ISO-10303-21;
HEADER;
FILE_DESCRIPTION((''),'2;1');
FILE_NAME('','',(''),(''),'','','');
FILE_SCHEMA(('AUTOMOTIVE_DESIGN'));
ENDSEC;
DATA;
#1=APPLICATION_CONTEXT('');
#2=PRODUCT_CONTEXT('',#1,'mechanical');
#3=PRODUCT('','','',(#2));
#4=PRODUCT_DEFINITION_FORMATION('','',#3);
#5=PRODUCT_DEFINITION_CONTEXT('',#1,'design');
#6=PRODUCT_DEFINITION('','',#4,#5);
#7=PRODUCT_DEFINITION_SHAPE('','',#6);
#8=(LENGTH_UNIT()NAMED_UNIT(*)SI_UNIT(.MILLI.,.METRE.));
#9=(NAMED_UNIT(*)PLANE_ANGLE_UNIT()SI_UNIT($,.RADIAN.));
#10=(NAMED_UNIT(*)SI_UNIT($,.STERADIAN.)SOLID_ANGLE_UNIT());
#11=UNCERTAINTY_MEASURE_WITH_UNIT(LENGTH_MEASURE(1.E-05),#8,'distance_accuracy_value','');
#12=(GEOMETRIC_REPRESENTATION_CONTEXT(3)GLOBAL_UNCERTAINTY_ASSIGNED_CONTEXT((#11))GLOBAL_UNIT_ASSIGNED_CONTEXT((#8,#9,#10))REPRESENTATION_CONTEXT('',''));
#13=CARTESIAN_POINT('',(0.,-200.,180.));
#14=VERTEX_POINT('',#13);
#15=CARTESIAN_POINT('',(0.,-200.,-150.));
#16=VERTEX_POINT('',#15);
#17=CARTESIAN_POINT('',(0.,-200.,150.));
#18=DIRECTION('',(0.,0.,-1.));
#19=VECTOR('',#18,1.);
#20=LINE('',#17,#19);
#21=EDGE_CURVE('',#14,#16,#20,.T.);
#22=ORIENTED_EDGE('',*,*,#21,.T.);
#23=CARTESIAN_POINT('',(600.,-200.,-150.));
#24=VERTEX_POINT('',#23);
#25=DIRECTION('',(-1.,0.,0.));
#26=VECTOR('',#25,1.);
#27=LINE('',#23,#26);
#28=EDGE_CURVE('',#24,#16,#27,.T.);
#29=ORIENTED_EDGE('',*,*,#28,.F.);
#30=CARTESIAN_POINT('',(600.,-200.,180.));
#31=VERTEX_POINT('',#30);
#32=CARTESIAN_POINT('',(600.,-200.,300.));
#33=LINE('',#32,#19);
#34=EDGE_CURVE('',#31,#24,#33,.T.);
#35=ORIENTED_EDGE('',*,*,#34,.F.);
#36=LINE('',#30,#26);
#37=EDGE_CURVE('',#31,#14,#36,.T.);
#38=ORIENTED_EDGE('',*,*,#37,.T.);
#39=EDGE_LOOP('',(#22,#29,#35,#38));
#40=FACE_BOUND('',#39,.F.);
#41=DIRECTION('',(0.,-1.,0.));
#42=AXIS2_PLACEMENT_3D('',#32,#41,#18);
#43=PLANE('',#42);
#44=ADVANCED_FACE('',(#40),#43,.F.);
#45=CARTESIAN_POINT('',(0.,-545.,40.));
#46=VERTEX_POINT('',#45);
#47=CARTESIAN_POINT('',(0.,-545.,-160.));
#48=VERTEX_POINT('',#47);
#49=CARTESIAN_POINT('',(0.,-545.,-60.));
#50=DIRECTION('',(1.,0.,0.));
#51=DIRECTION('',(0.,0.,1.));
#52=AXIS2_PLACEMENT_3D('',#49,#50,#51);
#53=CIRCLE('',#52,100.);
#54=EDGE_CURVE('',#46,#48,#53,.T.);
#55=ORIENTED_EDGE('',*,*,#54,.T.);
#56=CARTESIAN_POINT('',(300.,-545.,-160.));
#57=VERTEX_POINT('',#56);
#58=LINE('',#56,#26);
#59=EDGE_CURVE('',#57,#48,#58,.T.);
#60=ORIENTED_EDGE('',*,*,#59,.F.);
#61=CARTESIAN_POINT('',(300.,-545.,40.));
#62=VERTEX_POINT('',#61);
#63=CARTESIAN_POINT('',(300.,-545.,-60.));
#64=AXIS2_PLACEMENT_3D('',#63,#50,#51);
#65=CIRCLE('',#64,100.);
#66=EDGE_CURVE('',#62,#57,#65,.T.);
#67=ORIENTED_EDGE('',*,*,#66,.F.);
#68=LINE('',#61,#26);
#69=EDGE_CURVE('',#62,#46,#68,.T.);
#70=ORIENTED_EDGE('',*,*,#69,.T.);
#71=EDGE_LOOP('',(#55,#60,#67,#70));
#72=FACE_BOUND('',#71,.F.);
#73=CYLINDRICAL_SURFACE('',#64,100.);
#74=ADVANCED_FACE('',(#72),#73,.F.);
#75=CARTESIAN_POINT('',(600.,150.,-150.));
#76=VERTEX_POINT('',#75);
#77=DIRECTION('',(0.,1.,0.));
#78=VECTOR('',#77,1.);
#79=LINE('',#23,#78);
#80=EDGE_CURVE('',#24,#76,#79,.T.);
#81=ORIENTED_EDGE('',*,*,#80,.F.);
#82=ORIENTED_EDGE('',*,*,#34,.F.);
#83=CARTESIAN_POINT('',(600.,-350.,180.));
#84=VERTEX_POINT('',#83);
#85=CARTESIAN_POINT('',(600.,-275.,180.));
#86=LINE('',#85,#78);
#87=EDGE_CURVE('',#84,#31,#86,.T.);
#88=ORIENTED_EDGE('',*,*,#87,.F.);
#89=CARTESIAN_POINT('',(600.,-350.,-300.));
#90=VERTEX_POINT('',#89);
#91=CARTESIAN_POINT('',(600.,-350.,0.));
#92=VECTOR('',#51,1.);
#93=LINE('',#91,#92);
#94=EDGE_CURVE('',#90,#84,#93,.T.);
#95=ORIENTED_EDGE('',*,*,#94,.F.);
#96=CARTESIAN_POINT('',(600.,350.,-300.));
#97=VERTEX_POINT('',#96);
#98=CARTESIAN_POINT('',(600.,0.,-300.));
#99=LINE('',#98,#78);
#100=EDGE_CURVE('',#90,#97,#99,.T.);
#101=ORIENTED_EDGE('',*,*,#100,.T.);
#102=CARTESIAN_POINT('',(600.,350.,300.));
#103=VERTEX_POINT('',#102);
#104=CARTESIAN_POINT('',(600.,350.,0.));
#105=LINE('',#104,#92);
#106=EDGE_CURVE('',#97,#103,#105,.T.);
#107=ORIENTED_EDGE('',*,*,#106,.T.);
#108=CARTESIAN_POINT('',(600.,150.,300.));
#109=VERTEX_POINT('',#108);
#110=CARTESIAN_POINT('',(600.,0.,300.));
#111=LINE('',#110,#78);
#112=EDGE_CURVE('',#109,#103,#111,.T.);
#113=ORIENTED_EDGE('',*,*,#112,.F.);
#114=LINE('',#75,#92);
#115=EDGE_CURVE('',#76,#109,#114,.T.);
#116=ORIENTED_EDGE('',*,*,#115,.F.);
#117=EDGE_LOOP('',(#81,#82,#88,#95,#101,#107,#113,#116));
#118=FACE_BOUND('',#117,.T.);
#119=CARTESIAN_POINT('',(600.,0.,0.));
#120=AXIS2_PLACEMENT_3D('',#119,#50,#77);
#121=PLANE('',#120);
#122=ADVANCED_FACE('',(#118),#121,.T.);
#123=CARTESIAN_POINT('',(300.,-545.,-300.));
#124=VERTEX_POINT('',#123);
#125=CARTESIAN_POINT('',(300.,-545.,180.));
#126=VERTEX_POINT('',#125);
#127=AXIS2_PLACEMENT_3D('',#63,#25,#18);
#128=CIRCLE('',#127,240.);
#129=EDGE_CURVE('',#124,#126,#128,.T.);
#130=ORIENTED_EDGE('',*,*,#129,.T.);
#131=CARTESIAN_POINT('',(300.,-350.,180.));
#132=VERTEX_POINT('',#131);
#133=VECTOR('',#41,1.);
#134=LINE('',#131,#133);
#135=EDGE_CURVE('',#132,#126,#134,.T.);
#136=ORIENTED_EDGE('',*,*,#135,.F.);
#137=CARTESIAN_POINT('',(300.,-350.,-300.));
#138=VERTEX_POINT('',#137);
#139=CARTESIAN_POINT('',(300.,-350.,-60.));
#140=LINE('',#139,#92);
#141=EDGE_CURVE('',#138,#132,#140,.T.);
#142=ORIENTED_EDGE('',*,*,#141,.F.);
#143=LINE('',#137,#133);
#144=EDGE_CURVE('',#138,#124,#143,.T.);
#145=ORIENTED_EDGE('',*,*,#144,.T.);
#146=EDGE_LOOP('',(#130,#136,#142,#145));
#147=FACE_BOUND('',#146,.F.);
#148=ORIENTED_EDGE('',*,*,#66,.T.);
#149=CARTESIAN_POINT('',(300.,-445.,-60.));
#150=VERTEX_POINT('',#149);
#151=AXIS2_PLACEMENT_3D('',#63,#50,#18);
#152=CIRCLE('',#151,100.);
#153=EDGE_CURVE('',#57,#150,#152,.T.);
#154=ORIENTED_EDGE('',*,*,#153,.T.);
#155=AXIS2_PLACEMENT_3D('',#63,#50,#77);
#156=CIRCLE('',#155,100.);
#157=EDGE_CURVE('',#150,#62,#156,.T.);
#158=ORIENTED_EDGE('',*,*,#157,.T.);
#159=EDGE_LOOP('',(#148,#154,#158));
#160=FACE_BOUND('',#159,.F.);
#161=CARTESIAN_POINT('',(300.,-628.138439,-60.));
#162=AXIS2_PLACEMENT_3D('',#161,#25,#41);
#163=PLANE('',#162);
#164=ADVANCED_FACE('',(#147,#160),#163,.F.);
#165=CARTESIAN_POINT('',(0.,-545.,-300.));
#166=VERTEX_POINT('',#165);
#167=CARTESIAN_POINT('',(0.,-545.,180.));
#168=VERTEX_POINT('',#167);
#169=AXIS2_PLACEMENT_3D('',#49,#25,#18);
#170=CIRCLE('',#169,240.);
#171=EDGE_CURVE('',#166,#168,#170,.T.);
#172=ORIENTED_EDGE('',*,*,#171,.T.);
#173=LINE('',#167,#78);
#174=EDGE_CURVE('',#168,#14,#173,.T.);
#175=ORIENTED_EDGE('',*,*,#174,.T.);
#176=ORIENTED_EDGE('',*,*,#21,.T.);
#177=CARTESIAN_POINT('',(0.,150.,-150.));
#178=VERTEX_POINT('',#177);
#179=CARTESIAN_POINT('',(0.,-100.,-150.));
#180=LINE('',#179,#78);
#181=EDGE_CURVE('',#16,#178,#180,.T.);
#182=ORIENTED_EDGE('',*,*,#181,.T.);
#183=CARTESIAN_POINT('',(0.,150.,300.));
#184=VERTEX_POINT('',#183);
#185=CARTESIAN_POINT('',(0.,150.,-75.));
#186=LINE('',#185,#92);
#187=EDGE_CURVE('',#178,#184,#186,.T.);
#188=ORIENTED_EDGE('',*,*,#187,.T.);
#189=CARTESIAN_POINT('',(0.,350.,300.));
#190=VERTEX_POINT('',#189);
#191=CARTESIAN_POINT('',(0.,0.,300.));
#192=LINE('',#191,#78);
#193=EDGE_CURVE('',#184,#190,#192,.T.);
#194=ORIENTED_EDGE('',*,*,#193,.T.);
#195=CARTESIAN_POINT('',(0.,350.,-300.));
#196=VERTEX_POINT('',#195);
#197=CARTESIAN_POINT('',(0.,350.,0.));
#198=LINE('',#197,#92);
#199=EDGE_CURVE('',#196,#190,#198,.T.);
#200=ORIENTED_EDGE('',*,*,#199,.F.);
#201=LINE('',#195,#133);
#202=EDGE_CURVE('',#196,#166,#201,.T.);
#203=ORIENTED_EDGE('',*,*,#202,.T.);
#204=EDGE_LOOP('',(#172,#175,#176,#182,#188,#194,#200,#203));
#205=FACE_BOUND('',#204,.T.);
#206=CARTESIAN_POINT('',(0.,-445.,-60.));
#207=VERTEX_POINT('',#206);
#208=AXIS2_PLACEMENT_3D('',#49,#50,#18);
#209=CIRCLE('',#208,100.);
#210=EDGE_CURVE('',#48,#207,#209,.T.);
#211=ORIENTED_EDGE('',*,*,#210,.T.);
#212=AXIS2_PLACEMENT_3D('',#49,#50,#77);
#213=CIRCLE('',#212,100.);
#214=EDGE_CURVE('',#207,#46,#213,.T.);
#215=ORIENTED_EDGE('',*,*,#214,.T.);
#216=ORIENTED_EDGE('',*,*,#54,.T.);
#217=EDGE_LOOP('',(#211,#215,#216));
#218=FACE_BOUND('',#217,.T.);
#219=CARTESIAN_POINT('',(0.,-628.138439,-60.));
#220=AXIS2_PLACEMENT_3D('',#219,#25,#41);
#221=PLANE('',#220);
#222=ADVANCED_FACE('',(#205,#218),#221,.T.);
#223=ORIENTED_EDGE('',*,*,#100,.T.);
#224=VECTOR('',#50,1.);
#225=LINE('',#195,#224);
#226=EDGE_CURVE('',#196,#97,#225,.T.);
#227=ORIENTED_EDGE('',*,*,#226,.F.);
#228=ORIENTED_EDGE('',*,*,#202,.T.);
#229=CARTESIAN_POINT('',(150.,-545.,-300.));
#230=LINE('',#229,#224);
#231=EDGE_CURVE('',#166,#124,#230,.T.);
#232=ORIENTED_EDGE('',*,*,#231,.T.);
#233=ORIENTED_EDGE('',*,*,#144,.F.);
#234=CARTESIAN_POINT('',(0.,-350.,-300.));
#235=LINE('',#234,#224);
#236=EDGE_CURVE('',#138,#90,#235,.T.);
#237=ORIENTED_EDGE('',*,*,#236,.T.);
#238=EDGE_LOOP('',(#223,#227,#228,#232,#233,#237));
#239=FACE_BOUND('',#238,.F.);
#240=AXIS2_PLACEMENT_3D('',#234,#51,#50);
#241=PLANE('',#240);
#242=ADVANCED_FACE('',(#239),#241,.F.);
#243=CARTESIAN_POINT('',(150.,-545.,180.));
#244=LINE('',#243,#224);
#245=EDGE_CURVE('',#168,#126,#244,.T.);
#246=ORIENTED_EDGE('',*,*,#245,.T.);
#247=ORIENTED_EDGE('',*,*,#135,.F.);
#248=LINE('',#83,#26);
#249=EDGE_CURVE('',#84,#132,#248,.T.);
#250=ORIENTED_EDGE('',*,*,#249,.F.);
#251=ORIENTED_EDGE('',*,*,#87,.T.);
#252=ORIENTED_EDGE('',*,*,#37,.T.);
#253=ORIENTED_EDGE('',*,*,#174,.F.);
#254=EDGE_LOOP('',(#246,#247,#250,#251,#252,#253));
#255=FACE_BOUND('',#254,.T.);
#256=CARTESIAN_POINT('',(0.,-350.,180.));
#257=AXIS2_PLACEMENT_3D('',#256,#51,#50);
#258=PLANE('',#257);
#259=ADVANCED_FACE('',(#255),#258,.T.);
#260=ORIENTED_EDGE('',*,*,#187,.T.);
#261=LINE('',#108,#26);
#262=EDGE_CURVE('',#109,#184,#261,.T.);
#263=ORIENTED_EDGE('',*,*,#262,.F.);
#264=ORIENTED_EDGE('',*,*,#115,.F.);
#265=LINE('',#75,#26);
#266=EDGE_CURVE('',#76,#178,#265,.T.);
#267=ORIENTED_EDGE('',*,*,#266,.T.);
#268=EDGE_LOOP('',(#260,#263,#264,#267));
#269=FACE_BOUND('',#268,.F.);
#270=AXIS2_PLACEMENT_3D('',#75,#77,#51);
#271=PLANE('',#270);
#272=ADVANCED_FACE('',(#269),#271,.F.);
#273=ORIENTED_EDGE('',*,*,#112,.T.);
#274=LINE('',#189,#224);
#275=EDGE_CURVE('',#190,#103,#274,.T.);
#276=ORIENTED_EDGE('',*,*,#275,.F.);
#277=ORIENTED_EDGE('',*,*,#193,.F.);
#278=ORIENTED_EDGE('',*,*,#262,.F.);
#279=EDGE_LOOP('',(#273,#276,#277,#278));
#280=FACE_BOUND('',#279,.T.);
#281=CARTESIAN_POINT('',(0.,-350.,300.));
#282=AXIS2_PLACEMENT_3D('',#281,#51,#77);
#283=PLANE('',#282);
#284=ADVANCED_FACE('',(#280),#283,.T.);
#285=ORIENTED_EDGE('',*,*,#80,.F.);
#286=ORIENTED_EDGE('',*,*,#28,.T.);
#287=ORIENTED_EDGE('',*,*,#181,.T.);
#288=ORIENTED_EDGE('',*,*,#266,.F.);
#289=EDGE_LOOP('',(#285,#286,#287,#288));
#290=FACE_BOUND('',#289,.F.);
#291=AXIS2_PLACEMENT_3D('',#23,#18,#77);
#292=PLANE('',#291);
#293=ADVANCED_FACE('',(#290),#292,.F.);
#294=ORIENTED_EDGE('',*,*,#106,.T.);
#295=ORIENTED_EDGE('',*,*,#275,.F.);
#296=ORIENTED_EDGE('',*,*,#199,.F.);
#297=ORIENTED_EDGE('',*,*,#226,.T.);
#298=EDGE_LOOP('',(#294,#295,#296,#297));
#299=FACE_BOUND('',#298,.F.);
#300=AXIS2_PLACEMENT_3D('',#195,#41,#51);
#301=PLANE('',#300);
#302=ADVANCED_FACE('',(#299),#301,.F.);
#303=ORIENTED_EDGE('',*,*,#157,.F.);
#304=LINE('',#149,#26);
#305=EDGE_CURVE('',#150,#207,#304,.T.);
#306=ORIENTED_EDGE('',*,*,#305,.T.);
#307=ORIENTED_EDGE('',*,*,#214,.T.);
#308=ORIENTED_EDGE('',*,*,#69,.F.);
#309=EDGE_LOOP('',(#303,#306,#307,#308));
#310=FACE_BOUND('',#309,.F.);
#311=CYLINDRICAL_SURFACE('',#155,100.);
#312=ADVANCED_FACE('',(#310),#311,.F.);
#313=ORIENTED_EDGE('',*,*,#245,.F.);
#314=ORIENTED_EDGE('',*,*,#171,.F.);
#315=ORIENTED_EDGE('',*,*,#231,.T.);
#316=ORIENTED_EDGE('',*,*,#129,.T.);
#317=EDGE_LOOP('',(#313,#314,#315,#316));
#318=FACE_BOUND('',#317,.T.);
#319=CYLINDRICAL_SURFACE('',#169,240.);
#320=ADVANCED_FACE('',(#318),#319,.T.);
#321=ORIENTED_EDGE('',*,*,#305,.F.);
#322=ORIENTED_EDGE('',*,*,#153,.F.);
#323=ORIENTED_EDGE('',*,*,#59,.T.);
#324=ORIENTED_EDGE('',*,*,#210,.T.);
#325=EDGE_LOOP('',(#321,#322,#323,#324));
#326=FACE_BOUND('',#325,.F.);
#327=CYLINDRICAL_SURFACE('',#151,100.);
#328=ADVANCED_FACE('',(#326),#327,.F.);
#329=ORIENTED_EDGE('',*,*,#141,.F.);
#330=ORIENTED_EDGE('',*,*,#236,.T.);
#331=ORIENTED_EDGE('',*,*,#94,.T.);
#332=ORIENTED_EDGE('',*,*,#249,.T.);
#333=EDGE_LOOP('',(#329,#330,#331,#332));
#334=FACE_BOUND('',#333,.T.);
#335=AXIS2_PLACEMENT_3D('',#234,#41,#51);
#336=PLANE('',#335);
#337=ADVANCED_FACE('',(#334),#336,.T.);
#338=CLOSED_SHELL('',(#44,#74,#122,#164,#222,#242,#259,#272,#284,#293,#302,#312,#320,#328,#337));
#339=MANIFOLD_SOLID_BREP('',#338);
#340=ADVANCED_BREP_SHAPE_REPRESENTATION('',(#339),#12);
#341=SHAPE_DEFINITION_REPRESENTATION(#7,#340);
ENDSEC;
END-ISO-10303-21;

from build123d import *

# Parameters (mm, degrees)
F0_W      = 700
F0_H      = 600
F1_DEPTH  = 600
F3_DEPTH  = 600.001
F4_W      = 150
F4_H      = 120
F5_DEPTH  = 600.001
F6_W      = 300
F6_H      = 480
F7_DEPTH  = 195
F9_DEPTH  = 300
F11_DEPTH = 300.001


with BuildPart() as f1:
    # F0 (on Right) → F1 (new body)
    with BuildSketch(Plane.YZ):
        Rectangle(F0_W, F0_H)
    extrude(amount=F1_DEPTH)

    # F2 (on face) → F3 (cut, through all)
    with BuildSketch(Plane.YZ.offset(600)):
        Polygon((150, -150), (150, 300), (-200, 300), (-200, -150), (0, -150), align=None)
    extrude(amount=-F3_DEPTH, mode=Mode.SUBTRACT)

    # F4 (on face) → F5 (cut, through all)
    with BuildSketch(Plane.YZ.offset(600)):
        with Locations((-275, 240)):
            Rectangle(F4_W, F4_H)
    extrude(amount=-F5_DEPTH, mode=Mode.SUBTRACT)

    # F6 (on face) → F7 (join)
    with BuildSketch(Plane.XZ.offset(350)):
        with Locations((150, -60)):
            Rectangle(F6_W, F6_H)
    extrude(amount=F7_DEPTH)

    # F8 (on face) → F9 (join)
    with BuildSketch(Plane(origin=(0, 0, 0), x_dir=(0, -1, 0), z_dir=(-1, 0, 0))):
        with BuildLine():
            ThreePointArc((545, -300), (714.7056274848, -229.7056274848), (785, -60))
            ThreePointArc((785, -60), (714.7056274848, 109.7056274848), (545, 180))
            Line((545, 180), (545, -300))
        make_face()
    extrude(amount=-F9_DEPTH)

    # F10 (on face) → F11 (cut, through all)
    with BuildSketch(Plane.YZ.offset(300)):
        with BuildLine():
            ThreePointArc((-445, -60), (-474.2893218813, 10.7106781187), (-545, 40))
            Line((-545, 40), (-545, -160))
            ThreePointArc((-545, -160), (-474.2893218813, -130.7106781187), (-445, -60))
        make_face()
        with BuildLine():
            Line((-545, -160), (-545, 40))
            ThreePointArc((-545, 40), (-645, -60), (-545, -160))
        make_face()
    extrude(amount=-F11_DEPTH, mode=Mode.SUBTRACT)


solid = f1.part
